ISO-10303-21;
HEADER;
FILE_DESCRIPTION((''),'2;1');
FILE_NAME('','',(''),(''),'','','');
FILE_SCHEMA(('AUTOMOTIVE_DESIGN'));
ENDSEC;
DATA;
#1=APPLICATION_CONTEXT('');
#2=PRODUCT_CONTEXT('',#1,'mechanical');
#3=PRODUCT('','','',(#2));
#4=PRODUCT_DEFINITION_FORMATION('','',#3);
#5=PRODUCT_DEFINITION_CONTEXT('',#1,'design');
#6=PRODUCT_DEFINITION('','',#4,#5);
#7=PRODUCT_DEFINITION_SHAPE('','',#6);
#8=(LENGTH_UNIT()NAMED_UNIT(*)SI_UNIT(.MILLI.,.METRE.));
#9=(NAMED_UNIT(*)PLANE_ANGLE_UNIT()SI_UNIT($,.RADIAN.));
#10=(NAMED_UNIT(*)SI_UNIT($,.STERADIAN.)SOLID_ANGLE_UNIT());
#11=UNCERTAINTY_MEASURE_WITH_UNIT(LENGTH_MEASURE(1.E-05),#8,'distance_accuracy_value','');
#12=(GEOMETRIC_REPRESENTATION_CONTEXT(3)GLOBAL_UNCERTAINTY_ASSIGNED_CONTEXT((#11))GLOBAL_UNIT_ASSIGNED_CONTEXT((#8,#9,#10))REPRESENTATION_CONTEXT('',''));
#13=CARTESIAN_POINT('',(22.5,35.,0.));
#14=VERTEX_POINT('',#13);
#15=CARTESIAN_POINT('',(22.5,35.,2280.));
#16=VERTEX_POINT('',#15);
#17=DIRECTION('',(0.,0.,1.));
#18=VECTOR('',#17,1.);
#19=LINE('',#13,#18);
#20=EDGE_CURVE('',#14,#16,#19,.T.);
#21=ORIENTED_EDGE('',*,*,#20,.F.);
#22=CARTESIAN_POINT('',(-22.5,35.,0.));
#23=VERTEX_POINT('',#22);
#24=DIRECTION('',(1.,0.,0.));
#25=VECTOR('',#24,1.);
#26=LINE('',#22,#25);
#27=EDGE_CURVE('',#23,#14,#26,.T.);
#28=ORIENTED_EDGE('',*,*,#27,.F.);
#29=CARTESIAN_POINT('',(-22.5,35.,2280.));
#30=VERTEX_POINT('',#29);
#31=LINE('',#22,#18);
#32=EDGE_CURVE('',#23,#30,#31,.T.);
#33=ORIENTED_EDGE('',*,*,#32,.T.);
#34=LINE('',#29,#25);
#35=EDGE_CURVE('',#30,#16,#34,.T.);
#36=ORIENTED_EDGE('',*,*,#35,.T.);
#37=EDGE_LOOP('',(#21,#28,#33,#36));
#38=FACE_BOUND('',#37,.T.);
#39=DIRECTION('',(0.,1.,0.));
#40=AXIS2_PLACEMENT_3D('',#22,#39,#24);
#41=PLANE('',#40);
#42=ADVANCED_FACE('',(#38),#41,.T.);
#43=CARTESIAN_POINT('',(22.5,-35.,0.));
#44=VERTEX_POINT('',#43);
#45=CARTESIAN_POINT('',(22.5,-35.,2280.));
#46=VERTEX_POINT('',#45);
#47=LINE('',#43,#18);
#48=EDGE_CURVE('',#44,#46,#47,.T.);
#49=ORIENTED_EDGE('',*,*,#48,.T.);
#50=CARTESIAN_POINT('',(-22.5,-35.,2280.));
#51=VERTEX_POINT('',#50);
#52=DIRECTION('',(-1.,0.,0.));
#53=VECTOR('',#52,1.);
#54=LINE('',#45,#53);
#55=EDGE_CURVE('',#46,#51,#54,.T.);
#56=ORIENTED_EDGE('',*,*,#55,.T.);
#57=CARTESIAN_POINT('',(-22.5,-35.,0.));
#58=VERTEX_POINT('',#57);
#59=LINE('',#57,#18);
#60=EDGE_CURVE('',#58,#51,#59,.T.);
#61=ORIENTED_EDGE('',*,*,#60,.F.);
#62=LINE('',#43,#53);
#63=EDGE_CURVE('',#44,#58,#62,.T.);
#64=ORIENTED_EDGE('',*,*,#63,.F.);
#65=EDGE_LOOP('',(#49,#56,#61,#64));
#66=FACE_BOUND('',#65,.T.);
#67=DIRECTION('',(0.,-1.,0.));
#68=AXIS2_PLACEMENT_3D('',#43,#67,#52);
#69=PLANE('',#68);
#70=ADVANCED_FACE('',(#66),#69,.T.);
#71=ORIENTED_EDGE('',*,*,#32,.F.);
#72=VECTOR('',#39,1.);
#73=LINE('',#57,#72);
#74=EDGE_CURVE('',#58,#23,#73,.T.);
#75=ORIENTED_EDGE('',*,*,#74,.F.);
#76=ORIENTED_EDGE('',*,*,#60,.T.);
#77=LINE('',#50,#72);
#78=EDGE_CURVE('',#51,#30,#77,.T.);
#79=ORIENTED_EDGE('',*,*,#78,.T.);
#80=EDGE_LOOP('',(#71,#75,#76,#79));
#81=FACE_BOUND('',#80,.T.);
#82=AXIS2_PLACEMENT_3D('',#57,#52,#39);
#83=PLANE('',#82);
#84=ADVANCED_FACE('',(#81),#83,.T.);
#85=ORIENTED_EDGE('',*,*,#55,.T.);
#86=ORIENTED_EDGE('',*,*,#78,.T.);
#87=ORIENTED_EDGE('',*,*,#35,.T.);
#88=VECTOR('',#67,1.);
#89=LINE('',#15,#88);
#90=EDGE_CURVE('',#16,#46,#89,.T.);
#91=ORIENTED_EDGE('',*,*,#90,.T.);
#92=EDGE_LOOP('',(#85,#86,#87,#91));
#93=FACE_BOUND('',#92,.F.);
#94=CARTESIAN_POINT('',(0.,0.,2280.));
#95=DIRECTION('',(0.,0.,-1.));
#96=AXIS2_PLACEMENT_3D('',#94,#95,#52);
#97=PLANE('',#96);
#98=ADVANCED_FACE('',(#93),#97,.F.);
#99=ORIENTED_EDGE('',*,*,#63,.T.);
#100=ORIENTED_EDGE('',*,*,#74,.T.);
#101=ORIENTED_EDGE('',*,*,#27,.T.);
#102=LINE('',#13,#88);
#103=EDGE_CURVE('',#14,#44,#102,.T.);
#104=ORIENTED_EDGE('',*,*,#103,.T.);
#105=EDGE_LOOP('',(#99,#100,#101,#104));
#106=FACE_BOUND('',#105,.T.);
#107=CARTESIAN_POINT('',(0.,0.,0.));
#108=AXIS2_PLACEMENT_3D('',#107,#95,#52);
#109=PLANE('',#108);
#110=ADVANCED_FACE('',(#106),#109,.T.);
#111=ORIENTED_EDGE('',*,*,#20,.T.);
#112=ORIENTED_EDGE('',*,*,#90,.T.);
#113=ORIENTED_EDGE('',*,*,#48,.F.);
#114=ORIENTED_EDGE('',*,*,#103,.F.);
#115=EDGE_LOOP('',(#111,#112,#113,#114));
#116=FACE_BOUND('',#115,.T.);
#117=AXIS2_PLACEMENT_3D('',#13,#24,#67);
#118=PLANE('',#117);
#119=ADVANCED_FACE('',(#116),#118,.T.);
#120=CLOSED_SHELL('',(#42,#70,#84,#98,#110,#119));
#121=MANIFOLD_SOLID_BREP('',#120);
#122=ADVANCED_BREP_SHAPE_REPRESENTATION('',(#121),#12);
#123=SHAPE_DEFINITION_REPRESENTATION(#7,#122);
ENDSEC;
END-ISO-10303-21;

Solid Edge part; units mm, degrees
sketch "Sketch1" plane through (0, 0, 0) normal (0, 0, -1) x (-1, 0, 0)
  line L0 (-22.5, -35) -> (22.5, -35)
  line L1 (22.5, -35) -> (22.5, 35)
  line L2 (22.5, 35) -> (-22.5, 35)
  line L3 (-22.5, 35) -> (-22.5, -35)
extrude "Protrusion1" add sketch "Sketch1" against normal blind 2280
properties material "Wood, Pine"
